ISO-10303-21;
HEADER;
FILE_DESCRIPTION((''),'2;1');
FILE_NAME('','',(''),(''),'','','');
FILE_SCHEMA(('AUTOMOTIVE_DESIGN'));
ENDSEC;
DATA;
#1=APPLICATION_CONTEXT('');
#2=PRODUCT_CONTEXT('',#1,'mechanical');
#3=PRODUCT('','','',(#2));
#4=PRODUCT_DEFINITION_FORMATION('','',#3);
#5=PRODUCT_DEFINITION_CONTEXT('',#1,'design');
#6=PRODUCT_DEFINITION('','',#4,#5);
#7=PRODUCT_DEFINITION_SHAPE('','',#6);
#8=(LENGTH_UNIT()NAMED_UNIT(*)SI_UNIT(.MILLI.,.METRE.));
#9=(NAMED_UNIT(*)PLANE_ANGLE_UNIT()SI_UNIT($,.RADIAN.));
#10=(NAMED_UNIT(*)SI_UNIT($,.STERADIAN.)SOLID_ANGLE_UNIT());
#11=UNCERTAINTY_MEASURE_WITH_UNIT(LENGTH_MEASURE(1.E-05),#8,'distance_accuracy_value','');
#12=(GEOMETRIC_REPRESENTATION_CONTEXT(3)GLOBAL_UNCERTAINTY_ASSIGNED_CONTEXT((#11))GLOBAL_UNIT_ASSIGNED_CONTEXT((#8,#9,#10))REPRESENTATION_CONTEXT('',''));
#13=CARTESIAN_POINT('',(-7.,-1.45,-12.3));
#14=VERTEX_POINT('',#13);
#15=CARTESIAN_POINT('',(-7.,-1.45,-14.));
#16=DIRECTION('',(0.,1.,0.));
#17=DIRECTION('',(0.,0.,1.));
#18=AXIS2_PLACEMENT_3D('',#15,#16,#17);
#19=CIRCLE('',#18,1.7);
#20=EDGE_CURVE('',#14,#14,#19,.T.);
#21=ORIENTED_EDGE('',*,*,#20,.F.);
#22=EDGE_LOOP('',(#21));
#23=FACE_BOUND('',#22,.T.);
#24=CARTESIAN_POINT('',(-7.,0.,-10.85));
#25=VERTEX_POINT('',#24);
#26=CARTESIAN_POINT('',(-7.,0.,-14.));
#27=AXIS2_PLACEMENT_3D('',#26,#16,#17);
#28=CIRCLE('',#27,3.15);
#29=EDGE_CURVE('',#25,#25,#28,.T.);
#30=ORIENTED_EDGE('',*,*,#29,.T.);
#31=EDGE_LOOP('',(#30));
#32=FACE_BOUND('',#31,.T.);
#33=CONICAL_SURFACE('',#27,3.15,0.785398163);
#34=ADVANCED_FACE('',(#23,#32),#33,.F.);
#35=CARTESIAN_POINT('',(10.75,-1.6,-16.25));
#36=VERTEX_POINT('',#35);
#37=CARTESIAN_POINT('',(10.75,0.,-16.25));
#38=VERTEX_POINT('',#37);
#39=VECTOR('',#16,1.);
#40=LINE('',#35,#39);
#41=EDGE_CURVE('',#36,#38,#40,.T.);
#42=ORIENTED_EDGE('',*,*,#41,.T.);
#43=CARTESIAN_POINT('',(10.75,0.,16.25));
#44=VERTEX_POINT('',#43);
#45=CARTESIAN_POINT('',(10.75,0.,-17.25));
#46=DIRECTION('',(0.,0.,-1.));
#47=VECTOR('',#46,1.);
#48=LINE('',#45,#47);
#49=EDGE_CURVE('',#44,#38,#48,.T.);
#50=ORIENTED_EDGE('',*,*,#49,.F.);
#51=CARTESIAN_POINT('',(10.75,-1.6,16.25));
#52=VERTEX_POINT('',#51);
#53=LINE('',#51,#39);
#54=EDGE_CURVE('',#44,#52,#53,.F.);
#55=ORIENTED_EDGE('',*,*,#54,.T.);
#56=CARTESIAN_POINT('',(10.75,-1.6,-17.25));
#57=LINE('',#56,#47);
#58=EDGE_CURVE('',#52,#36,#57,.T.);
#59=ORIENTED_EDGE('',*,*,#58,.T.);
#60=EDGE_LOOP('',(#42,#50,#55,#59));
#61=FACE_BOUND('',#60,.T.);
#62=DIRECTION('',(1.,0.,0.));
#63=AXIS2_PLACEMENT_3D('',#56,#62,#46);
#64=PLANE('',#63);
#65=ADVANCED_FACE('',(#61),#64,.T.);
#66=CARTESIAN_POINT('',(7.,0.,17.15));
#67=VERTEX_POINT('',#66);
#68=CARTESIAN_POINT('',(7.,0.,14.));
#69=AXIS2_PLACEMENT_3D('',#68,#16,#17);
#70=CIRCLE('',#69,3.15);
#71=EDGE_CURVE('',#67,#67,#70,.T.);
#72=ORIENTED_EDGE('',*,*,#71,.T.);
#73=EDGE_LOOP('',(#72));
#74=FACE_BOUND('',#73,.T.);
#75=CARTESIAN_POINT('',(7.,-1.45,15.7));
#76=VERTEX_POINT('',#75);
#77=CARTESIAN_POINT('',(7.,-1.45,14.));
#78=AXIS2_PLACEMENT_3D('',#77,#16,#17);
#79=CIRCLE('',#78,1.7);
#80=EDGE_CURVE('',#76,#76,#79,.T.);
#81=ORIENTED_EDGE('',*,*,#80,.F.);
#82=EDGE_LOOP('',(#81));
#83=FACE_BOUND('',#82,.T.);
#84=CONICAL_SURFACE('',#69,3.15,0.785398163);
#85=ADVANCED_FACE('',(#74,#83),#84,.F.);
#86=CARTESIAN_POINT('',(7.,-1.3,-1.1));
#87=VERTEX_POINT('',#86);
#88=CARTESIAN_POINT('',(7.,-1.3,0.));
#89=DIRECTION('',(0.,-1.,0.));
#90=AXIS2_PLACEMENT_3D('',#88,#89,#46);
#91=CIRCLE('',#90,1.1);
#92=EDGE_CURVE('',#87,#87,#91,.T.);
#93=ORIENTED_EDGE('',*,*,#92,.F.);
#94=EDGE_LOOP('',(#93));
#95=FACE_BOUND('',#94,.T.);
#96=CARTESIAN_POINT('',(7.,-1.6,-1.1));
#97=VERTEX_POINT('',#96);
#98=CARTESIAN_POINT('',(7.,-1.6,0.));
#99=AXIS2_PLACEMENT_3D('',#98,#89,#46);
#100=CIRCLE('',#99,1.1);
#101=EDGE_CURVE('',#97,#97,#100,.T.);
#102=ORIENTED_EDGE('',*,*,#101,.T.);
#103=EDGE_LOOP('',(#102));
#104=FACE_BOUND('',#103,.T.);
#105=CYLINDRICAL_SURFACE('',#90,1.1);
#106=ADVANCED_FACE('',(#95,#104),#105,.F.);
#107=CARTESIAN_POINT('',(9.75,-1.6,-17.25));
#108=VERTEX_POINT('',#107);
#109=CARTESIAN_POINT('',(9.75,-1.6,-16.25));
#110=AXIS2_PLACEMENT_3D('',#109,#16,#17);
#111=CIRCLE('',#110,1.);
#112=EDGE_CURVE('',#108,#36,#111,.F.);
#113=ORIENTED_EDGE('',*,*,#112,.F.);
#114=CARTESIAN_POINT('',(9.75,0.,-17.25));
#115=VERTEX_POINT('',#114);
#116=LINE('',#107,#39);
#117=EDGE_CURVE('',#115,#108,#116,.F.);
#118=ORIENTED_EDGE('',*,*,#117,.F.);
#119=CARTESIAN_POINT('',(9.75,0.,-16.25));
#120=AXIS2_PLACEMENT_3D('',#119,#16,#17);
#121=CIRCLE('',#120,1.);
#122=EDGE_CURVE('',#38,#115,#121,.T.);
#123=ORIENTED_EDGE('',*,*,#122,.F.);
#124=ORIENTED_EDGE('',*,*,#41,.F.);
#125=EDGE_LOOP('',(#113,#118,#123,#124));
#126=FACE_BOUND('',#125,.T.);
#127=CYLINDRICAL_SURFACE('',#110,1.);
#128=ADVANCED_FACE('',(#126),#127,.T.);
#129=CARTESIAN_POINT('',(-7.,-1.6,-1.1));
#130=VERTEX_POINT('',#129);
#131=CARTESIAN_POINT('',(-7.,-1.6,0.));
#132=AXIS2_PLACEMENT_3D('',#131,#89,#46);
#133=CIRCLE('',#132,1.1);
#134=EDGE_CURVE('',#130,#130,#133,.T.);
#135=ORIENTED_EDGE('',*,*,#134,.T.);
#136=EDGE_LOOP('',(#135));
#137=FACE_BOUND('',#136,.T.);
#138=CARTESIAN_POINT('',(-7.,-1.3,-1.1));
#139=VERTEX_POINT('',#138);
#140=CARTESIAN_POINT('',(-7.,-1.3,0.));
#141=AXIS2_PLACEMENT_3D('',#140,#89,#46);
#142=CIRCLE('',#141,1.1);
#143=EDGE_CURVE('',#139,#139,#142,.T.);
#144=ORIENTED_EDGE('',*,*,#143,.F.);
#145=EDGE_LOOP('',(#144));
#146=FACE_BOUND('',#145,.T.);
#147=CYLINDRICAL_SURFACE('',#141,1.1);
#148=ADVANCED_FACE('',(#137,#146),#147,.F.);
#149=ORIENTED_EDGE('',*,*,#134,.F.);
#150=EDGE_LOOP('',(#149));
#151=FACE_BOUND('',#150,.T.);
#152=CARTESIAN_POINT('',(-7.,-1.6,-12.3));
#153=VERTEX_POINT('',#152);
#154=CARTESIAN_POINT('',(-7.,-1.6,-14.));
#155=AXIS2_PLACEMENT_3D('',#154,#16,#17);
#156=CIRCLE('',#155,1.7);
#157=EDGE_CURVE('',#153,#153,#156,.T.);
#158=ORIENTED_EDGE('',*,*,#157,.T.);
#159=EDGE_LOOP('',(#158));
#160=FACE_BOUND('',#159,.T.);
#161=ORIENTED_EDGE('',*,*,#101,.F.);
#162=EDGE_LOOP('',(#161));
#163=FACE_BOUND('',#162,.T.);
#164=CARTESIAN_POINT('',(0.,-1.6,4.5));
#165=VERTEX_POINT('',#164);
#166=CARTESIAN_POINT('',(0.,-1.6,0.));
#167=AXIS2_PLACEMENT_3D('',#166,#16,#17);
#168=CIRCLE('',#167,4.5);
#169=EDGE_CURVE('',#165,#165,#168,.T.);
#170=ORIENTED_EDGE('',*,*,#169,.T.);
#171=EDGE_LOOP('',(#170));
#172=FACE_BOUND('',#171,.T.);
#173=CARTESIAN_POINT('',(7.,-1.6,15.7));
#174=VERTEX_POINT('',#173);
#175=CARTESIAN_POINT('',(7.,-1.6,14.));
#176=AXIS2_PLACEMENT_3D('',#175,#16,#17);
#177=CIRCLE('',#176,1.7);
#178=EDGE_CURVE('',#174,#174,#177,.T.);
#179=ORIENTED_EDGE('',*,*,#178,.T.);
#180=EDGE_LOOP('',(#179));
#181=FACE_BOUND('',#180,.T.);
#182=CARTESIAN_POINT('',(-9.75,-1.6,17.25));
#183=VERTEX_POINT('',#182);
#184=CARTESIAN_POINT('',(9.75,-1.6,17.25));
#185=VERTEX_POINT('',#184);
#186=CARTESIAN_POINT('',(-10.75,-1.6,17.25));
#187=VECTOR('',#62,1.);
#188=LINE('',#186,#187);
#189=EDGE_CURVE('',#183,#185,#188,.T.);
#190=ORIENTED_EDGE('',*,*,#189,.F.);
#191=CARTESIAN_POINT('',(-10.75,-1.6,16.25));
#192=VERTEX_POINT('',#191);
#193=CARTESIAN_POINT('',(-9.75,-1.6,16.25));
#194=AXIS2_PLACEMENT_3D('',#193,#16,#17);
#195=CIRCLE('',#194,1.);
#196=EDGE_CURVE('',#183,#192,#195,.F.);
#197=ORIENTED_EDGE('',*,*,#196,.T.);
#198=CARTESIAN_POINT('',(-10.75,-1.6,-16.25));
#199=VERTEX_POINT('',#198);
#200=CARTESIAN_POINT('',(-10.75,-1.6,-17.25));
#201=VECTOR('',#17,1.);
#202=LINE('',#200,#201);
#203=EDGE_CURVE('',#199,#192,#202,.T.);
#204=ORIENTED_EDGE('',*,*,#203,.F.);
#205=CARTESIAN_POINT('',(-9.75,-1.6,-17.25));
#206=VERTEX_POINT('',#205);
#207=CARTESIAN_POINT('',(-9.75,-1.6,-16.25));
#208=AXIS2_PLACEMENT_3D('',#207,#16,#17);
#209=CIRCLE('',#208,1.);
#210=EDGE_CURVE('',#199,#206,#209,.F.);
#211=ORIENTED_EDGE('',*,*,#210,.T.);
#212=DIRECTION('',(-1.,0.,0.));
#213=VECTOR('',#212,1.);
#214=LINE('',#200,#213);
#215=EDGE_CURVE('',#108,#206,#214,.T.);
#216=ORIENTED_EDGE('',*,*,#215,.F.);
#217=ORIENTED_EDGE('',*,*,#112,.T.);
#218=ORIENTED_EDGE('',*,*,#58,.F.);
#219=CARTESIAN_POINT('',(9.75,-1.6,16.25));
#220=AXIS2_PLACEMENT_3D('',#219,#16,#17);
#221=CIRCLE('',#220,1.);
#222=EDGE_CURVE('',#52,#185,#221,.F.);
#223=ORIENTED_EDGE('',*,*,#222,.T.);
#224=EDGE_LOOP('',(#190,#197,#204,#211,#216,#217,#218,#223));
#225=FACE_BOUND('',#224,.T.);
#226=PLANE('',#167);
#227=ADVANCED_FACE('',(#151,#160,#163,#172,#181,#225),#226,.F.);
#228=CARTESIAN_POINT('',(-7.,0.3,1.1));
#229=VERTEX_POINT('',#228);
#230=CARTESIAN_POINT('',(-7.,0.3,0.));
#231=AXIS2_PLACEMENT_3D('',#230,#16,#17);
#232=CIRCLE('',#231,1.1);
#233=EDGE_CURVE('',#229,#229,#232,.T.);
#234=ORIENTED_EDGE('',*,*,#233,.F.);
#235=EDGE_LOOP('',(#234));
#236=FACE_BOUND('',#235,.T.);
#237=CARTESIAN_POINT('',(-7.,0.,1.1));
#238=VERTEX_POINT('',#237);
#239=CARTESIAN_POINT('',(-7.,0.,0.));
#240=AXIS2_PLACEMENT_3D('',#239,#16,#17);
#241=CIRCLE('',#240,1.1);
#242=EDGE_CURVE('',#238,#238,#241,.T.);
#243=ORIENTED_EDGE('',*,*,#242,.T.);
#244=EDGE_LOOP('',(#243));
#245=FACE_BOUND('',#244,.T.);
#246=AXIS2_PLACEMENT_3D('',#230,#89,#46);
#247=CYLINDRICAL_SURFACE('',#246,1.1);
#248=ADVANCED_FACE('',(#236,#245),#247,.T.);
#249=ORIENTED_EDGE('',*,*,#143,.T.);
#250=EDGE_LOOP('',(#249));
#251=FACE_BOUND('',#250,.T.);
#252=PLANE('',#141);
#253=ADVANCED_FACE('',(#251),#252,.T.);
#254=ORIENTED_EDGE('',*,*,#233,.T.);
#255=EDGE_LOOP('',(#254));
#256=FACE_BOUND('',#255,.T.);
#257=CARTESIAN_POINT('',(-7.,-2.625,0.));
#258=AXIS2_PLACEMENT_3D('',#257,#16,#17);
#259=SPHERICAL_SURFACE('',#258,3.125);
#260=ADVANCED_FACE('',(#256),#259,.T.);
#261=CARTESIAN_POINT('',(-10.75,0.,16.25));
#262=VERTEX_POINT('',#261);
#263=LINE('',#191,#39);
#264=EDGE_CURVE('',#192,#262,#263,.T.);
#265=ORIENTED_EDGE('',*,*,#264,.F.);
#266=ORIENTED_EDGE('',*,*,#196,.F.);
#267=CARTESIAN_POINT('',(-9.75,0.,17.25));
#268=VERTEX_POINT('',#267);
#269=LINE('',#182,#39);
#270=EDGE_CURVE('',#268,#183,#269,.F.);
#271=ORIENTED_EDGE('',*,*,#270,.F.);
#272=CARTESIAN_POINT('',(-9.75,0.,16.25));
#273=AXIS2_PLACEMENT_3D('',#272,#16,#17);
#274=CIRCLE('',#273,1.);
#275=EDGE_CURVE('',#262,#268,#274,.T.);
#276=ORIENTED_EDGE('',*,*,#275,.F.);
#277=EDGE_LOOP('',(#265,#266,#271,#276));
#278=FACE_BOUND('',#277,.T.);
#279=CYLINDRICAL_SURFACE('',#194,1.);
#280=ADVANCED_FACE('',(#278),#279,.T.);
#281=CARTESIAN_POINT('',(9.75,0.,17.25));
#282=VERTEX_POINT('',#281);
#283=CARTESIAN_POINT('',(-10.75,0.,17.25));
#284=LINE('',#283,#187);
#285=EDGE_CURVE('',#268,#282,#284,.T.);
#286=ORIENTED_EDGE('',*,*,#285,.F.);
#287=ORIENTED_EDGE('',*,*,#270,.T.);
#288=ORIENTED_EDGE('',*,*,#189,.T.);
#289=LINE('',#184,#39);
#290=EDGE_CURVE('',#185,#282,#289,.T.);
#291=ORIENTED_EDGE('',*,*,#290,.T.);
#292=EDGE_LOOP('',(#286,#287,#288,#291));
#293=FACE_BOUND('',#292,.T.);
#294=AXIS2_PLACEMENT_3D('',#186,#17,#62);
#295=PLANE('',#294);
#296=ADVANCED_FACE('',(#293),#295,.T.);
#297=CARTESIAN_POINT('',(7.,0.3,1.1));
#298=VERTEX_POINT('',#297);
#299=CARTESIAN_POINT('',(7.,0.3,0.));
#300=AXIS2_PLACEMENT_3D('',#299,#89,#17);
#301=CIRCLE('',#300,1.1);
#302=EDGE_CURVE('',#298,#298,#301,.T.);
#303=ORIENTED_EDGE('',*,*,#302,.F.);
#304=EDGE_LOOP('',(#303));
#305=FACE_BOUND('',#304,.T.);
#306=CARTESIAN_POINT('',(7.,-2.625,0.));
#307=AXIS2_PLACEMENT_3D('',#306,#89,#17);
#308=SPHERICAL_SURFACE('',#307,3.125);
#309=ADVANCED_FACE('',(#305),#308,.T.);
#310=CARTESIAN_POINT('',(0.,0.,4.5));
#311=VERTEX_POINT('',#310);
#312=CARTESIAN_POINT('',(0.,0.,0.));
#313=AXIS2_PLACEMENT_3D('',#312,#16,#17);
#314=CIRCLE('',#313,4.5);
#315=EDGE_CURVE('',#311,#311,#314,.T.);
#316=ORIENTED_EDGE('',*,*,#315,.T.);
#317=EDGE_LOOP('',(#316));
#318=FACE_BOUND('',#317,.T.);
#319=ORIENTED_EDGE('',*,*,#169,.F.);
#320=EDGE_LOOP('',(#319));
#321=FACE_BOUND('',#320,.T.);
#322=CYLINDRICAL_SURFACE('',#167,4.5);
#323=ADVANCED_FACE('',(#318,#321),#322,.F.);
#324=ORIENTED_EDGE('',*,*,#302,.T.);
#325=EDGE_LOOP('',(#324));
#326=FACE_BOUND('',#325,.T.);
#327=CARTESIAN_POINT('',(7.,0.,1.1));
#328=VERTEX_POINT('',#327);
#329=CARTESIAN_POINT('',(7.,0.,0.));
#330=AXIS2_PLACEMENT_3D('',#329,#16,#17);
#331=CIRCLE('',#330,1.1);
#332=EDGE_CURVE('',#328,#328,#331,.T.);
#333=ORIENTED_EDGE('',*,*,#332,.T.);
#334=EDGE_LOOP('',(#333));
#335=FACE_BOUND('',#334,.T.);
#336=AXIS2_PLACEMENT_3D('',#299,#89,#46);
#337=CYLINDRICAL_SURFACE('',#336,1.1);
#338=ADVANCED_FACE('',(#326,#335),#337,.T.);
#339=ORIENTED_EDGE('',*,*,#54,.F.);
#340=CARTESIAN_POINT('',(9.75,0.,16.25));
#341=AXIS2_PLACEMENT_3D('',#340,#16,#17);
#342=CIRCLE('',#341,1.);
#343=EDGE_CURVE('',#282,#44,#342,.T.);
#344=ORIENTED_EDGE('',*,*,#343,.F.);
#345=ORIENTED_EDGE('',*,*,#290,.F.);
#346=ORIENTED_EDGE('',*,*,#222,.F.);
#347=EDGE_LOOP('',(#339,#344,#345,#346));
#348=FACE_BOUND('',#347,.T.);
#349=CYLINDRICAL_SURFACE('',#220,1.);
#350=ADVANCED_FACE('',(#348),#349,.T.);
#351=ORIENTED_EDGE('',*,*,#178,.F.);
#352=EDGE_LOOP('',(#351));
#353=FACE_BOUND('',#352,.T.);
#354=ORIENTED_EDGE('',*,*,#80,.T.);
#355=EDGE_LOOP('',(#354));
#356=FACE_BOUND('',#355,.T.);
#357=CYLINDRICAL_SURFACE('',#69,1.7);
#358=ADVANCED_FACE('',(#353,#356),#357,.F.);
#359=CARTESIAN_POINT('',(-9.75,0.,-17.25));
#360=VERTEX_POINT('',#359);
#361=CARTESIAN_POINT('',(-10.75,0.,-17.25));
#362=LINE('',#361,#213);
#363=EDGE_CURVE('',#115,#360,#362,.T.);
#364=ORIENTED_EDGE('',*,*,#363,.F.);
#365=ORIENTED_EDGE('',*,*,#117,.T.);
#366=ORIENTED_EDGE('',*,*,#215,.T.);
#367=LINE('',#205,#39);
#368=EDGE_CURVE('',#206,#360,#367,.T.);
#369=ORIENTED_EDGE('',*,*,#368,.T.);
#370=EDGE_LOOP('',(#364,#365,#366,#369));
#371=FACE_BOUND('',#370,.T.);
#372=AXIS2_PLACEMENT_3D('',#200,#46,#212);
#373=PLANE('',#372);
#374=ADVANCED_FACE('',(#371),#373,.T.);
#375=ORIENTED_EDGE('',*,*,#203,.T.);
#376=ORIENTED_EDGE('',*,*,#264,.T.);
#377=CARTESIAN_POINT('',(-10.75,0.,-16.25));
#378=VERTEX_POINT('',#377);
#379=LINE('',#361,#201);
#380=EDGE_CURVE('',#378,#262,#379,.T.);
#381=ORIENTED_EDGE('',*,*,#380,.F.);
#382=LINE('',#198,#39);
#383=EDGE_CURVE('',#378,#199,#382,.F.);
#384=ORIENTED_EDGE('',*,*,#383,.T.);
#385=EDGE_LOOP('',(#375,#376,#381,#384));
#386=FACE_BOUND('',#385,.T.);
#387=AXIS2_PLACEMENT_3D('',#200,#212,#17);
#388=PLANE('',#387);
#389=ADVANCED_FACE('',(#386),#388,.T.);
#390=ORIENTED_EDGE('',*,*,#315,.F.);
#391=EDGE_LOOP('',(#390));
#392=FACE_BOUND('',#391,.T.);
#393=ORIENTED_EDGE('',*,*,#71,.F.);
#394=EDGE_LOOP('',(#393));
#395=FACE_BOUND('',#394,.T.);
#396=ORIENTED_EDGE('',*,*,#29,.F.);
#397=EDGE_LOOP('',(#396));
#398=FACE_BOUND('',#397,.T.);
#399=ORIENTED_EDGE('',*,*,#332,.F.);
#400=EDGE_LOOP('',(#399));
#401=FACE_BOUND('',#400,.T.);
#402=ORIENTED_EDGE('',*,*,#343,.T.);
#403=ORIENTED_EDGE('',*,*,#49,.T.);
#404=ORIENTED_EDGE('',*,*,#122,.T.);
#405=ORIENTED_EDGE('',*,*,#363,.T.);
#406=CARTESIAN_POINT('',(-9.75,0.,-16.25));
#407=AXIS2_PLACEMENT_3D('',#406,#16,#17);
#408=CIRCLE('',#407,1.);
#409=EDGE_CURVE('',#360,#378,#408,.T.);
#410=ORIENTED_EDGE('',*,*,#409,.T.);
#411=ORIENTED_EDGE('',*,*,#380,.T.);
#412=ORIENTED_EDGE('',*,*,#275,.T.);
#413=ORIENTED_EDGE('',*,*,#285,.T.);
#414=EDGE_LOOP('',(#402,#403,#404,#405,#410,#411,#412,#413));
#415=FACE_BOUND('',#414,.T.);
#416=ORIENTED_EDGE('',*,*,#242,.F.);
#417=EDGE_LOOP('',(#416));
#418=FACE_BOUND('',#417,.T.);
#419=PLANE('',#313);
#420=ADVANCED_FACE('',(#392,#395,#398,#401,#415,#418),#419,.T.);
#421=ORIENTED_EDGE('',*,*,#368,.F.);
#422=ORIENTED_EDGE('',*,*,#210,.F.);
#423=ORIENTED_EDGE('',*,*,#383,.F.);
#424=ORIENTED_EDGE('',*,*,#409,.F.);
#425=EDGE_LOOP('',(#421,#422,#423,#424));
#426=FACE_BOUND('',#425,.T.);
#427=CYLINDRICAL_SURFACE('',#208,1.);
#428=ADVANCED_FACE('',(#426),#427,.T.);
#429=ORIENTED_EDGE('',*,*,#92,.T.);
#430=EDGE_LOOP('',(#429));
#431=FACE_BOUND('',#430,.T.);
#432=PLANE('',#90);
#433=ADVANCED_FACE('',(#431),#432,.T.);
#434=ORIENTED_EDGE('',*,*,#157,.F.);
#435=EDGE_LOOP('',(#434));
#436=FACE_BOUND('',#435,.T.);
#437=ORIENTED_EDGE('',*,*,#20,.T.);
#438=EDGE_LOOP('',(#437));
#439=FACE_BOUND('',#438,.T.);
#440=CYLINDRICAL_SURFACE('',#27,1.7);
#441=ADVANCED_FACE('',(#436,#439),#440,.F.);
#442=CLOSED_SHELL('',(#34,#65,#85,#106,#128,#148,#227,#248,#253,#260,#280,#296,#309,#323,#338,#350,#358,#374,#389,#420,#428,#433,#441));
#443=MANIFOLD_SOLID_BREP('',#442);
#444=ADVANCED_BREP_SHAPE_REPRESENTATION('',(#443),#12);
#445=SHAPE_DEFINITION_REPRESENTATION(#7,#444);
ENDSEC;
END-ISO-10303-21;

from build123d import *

# Parameters (mm, degrees)
BASES_W                                         = 21.5
BASES_H                                         = 34.5
BASE_DEPTH                                      = 1.6
CSK_FOR_M3_FLAT_HEAD_MACHINE_SCREW1_D           = 3.4
CSK_FOR_M3_FLAT_HEAD_MACHINE_SCREW1_DEPTH       = 11
CSK_FOR_M3_FLAT_HEAD_MACHINE_SCREW1_CSINK_D     = 6.3
CSK_FOR_M3_FLAT_HEAD_MACHINE_SCREW1_CSINK_ANGLE = 90
CSK_FOR_M3_FLAT_HEAD_MACHINE_SCREW1_TIP         = 1.021463052
BORES_R                                         = 4.5
BORE_DEPTH                                      = 21.388354519
LOCKINGFEATURES_R                               = 1.1
LOCKING_FEATURE_DEPTH                           = 0.3
LF_DOME_FACE_RADIUS                             = 1.1
LF_DOME_HEIGHT                                  = 0.2
LF_HM_COPY_1_FACE_RADIUS                        = 1.1
LF_HM_COPY_1_HEIGHT                             = 0.2
LFBOTTOMCUT_R                                   = 1.1
LF_BOTTOM_CUT_DEPTH                             = 0.3
BASE_FILLET_R                                   = 1


with BuildPart() as part:
    # BaseS → BASE (new body)
    with BuildSketch(Plane(origin=(0, 0, 0), x_dir=(1, 0, 0), z_dir=(0, 1, 0))):
        Rectangle(BASES_W, BASES_H)
    extrude(amount=-BASE_DEPTH)

    # CSK for M3 Flat Head Machine Screw1
    with Locations(Plane(origin=(0, 0, 0), x_dir=(1, 0, 0), z_dir=(0, 1, 0))):
        with Locations((-7, 14), (7, -14)):
            CounterSinkHole(CSK_FOR_M3_FLAT_HEAD_MACHINE_SCREW1_D / 2, CSK_FOR_M3_FLAT_HEAD_MACHINE_SCREW1_CSINK_D / 2, depth=CSK_FOR_M3_FLAT_HEAD_MACHINE_SCREW1_DEPTH, counter_sink_angle=CSK_FOR_M3_FLAT_HEAD_MACHINE_SCREW1_CSINK_ANGLE)
            with Locations((0, 0, -(CSK_FOR_M3_FLAT_HEAD_MACHINE_SCREW1_DEPTH + CSK_FOR_M3_FLAT_HEAD_MACHINE_SCREW1_TIP / 2))):  # 118° drill point
                Cone(0, CSK_FOR_M3_FLAT_HEAD_MACHINE_SCREW1_D / 2, CSK_FOR_M3_FLAT_HEAD_MACHINE_SCREW1_TIP, mode=Mode.SUBTRACT)

    # BoreS → BORE (cut, through all)
    with BuildSketch(Plane(origin=(0, 0, 0), x_dir=(1, 0, 0), z_dir=(0, 1, 0))):
        with Locations(Location((0, 0, 0), (0, 0, 270))):
            Circle(BORES_R)
    extrude(amount=-BORE_DEPTH, mode=Mode.SUBTRACT)

    # LockingFeatureS → LOCKING FEATURE (add)
    with BuildSketch(Plane(origin=(0, 0, 0), x_dir=(1, 0, 0), z_dir=(0, 1, 0))):
        with Locations(Location((-7, 0, 0), (0, 0, 270))):
            Circle(LOCKINGFEATURES_R)
    locking_feature = extrude(amount=LOCKING_FEATURE_DEPTH)

    # LF DOME: a dome of height H over a round flat face of radius A is a cap of a sphere of radius (A * A + H * H) / (2 * H)
    lf_dome_r = (LF_DOME_FACE_RADIUS * LF_DOME_FACE_RADIUS + LF_DOME_HEIGHT * LF_DOME_HEIGHT) / (2 * LF_DOME_HEIGHT)
    lf_dome_base = Plane((-7, 0.3, 0), z_dir=(0, 1, 0))
    with Locations(lf_dome_base.offset(LF_DOME_HEIGHT - lf_dome_r)):
        lf_dome_ball = Sphere(lf_dome_r, mode=Mode.PRIVATE)
    add(split(lf_dome_ball, bisect_by=lf_dome_base, keep=Keep.TOP, mode=Mode.PRIVATE))

    # LF HM: LOCKING FEATURE across plane
    add(locking_feature.mirror(Plane(origin=(0, 0, 0), x_dir=(0, 0, 1), z_dir=(1, 0, 0))))

    # LF HM copy 1: a dome of height H over a round flat face of radius A is a cap of a sphere of radius (A * A + H * H) / (2 * H)
    lf_hm_copy_1_r = (LF_HM_COPY_1_FACE_RADIUS * LF_HM_COPY_1_FACE_RADIUS + LF_HM_COPY_1_HEIGHT * LF_HM_COPY_1_HEIGHT) / (2 * LF_HM_COPY_1_HEIGHT)
    lf_hm_copy_1_base = Plane((7, 0.3, 0), z_dir=(0, 1, 0))
    with Locations(lf_hm_copy_1_base.offset(LF_HM_COPY_1_HEIGHT - lf_hm_copy_1_r)):
        lf_hm_copy_1_ball = Sphere(lf_hm_copy_1_r, mode=Mode.PRIVATE)
    add(split(lf_hm_copy_1_ball, bisect_by=lf_hm_copy_1_base, keep=Keep.TOP, mode=Mode.PRIVATE))

    # LFBottomCut → LF BOTTOM CUT (cut)
    with BuildSketch(Plane(origin=(0, -1.6, 0), x_dir=(-1, 0, 0), z_dir=(0, -1, 0))):
        with Locations(Location((7, 0, 0), (0, 0, 270))):
            Circle(LFBOTTOMCUT_R)
        with Locations(Location((-7, 0, 0), (0, 0, 270))):
            Circle(LFBOTTOMCUT_R)
    extrude(amount=-LF_BOTTOM_CUT_DEPTH, mode=Mode.SUBTRACT)

    # BASE FILLET
    base_fillet_edges = [part.edges().sort_by_distance(p)[0] for p in [
        (10.75, -0.8, 17.25),
        (-10.75, -0.8, 17.25),
        (-10.75, -0.8, -17.25),
        (10.75, -0.8, -17.25),
    ]]
    fillet(base_fillet_edges, radius=BASE_FILLET_R)


solid = part.part
